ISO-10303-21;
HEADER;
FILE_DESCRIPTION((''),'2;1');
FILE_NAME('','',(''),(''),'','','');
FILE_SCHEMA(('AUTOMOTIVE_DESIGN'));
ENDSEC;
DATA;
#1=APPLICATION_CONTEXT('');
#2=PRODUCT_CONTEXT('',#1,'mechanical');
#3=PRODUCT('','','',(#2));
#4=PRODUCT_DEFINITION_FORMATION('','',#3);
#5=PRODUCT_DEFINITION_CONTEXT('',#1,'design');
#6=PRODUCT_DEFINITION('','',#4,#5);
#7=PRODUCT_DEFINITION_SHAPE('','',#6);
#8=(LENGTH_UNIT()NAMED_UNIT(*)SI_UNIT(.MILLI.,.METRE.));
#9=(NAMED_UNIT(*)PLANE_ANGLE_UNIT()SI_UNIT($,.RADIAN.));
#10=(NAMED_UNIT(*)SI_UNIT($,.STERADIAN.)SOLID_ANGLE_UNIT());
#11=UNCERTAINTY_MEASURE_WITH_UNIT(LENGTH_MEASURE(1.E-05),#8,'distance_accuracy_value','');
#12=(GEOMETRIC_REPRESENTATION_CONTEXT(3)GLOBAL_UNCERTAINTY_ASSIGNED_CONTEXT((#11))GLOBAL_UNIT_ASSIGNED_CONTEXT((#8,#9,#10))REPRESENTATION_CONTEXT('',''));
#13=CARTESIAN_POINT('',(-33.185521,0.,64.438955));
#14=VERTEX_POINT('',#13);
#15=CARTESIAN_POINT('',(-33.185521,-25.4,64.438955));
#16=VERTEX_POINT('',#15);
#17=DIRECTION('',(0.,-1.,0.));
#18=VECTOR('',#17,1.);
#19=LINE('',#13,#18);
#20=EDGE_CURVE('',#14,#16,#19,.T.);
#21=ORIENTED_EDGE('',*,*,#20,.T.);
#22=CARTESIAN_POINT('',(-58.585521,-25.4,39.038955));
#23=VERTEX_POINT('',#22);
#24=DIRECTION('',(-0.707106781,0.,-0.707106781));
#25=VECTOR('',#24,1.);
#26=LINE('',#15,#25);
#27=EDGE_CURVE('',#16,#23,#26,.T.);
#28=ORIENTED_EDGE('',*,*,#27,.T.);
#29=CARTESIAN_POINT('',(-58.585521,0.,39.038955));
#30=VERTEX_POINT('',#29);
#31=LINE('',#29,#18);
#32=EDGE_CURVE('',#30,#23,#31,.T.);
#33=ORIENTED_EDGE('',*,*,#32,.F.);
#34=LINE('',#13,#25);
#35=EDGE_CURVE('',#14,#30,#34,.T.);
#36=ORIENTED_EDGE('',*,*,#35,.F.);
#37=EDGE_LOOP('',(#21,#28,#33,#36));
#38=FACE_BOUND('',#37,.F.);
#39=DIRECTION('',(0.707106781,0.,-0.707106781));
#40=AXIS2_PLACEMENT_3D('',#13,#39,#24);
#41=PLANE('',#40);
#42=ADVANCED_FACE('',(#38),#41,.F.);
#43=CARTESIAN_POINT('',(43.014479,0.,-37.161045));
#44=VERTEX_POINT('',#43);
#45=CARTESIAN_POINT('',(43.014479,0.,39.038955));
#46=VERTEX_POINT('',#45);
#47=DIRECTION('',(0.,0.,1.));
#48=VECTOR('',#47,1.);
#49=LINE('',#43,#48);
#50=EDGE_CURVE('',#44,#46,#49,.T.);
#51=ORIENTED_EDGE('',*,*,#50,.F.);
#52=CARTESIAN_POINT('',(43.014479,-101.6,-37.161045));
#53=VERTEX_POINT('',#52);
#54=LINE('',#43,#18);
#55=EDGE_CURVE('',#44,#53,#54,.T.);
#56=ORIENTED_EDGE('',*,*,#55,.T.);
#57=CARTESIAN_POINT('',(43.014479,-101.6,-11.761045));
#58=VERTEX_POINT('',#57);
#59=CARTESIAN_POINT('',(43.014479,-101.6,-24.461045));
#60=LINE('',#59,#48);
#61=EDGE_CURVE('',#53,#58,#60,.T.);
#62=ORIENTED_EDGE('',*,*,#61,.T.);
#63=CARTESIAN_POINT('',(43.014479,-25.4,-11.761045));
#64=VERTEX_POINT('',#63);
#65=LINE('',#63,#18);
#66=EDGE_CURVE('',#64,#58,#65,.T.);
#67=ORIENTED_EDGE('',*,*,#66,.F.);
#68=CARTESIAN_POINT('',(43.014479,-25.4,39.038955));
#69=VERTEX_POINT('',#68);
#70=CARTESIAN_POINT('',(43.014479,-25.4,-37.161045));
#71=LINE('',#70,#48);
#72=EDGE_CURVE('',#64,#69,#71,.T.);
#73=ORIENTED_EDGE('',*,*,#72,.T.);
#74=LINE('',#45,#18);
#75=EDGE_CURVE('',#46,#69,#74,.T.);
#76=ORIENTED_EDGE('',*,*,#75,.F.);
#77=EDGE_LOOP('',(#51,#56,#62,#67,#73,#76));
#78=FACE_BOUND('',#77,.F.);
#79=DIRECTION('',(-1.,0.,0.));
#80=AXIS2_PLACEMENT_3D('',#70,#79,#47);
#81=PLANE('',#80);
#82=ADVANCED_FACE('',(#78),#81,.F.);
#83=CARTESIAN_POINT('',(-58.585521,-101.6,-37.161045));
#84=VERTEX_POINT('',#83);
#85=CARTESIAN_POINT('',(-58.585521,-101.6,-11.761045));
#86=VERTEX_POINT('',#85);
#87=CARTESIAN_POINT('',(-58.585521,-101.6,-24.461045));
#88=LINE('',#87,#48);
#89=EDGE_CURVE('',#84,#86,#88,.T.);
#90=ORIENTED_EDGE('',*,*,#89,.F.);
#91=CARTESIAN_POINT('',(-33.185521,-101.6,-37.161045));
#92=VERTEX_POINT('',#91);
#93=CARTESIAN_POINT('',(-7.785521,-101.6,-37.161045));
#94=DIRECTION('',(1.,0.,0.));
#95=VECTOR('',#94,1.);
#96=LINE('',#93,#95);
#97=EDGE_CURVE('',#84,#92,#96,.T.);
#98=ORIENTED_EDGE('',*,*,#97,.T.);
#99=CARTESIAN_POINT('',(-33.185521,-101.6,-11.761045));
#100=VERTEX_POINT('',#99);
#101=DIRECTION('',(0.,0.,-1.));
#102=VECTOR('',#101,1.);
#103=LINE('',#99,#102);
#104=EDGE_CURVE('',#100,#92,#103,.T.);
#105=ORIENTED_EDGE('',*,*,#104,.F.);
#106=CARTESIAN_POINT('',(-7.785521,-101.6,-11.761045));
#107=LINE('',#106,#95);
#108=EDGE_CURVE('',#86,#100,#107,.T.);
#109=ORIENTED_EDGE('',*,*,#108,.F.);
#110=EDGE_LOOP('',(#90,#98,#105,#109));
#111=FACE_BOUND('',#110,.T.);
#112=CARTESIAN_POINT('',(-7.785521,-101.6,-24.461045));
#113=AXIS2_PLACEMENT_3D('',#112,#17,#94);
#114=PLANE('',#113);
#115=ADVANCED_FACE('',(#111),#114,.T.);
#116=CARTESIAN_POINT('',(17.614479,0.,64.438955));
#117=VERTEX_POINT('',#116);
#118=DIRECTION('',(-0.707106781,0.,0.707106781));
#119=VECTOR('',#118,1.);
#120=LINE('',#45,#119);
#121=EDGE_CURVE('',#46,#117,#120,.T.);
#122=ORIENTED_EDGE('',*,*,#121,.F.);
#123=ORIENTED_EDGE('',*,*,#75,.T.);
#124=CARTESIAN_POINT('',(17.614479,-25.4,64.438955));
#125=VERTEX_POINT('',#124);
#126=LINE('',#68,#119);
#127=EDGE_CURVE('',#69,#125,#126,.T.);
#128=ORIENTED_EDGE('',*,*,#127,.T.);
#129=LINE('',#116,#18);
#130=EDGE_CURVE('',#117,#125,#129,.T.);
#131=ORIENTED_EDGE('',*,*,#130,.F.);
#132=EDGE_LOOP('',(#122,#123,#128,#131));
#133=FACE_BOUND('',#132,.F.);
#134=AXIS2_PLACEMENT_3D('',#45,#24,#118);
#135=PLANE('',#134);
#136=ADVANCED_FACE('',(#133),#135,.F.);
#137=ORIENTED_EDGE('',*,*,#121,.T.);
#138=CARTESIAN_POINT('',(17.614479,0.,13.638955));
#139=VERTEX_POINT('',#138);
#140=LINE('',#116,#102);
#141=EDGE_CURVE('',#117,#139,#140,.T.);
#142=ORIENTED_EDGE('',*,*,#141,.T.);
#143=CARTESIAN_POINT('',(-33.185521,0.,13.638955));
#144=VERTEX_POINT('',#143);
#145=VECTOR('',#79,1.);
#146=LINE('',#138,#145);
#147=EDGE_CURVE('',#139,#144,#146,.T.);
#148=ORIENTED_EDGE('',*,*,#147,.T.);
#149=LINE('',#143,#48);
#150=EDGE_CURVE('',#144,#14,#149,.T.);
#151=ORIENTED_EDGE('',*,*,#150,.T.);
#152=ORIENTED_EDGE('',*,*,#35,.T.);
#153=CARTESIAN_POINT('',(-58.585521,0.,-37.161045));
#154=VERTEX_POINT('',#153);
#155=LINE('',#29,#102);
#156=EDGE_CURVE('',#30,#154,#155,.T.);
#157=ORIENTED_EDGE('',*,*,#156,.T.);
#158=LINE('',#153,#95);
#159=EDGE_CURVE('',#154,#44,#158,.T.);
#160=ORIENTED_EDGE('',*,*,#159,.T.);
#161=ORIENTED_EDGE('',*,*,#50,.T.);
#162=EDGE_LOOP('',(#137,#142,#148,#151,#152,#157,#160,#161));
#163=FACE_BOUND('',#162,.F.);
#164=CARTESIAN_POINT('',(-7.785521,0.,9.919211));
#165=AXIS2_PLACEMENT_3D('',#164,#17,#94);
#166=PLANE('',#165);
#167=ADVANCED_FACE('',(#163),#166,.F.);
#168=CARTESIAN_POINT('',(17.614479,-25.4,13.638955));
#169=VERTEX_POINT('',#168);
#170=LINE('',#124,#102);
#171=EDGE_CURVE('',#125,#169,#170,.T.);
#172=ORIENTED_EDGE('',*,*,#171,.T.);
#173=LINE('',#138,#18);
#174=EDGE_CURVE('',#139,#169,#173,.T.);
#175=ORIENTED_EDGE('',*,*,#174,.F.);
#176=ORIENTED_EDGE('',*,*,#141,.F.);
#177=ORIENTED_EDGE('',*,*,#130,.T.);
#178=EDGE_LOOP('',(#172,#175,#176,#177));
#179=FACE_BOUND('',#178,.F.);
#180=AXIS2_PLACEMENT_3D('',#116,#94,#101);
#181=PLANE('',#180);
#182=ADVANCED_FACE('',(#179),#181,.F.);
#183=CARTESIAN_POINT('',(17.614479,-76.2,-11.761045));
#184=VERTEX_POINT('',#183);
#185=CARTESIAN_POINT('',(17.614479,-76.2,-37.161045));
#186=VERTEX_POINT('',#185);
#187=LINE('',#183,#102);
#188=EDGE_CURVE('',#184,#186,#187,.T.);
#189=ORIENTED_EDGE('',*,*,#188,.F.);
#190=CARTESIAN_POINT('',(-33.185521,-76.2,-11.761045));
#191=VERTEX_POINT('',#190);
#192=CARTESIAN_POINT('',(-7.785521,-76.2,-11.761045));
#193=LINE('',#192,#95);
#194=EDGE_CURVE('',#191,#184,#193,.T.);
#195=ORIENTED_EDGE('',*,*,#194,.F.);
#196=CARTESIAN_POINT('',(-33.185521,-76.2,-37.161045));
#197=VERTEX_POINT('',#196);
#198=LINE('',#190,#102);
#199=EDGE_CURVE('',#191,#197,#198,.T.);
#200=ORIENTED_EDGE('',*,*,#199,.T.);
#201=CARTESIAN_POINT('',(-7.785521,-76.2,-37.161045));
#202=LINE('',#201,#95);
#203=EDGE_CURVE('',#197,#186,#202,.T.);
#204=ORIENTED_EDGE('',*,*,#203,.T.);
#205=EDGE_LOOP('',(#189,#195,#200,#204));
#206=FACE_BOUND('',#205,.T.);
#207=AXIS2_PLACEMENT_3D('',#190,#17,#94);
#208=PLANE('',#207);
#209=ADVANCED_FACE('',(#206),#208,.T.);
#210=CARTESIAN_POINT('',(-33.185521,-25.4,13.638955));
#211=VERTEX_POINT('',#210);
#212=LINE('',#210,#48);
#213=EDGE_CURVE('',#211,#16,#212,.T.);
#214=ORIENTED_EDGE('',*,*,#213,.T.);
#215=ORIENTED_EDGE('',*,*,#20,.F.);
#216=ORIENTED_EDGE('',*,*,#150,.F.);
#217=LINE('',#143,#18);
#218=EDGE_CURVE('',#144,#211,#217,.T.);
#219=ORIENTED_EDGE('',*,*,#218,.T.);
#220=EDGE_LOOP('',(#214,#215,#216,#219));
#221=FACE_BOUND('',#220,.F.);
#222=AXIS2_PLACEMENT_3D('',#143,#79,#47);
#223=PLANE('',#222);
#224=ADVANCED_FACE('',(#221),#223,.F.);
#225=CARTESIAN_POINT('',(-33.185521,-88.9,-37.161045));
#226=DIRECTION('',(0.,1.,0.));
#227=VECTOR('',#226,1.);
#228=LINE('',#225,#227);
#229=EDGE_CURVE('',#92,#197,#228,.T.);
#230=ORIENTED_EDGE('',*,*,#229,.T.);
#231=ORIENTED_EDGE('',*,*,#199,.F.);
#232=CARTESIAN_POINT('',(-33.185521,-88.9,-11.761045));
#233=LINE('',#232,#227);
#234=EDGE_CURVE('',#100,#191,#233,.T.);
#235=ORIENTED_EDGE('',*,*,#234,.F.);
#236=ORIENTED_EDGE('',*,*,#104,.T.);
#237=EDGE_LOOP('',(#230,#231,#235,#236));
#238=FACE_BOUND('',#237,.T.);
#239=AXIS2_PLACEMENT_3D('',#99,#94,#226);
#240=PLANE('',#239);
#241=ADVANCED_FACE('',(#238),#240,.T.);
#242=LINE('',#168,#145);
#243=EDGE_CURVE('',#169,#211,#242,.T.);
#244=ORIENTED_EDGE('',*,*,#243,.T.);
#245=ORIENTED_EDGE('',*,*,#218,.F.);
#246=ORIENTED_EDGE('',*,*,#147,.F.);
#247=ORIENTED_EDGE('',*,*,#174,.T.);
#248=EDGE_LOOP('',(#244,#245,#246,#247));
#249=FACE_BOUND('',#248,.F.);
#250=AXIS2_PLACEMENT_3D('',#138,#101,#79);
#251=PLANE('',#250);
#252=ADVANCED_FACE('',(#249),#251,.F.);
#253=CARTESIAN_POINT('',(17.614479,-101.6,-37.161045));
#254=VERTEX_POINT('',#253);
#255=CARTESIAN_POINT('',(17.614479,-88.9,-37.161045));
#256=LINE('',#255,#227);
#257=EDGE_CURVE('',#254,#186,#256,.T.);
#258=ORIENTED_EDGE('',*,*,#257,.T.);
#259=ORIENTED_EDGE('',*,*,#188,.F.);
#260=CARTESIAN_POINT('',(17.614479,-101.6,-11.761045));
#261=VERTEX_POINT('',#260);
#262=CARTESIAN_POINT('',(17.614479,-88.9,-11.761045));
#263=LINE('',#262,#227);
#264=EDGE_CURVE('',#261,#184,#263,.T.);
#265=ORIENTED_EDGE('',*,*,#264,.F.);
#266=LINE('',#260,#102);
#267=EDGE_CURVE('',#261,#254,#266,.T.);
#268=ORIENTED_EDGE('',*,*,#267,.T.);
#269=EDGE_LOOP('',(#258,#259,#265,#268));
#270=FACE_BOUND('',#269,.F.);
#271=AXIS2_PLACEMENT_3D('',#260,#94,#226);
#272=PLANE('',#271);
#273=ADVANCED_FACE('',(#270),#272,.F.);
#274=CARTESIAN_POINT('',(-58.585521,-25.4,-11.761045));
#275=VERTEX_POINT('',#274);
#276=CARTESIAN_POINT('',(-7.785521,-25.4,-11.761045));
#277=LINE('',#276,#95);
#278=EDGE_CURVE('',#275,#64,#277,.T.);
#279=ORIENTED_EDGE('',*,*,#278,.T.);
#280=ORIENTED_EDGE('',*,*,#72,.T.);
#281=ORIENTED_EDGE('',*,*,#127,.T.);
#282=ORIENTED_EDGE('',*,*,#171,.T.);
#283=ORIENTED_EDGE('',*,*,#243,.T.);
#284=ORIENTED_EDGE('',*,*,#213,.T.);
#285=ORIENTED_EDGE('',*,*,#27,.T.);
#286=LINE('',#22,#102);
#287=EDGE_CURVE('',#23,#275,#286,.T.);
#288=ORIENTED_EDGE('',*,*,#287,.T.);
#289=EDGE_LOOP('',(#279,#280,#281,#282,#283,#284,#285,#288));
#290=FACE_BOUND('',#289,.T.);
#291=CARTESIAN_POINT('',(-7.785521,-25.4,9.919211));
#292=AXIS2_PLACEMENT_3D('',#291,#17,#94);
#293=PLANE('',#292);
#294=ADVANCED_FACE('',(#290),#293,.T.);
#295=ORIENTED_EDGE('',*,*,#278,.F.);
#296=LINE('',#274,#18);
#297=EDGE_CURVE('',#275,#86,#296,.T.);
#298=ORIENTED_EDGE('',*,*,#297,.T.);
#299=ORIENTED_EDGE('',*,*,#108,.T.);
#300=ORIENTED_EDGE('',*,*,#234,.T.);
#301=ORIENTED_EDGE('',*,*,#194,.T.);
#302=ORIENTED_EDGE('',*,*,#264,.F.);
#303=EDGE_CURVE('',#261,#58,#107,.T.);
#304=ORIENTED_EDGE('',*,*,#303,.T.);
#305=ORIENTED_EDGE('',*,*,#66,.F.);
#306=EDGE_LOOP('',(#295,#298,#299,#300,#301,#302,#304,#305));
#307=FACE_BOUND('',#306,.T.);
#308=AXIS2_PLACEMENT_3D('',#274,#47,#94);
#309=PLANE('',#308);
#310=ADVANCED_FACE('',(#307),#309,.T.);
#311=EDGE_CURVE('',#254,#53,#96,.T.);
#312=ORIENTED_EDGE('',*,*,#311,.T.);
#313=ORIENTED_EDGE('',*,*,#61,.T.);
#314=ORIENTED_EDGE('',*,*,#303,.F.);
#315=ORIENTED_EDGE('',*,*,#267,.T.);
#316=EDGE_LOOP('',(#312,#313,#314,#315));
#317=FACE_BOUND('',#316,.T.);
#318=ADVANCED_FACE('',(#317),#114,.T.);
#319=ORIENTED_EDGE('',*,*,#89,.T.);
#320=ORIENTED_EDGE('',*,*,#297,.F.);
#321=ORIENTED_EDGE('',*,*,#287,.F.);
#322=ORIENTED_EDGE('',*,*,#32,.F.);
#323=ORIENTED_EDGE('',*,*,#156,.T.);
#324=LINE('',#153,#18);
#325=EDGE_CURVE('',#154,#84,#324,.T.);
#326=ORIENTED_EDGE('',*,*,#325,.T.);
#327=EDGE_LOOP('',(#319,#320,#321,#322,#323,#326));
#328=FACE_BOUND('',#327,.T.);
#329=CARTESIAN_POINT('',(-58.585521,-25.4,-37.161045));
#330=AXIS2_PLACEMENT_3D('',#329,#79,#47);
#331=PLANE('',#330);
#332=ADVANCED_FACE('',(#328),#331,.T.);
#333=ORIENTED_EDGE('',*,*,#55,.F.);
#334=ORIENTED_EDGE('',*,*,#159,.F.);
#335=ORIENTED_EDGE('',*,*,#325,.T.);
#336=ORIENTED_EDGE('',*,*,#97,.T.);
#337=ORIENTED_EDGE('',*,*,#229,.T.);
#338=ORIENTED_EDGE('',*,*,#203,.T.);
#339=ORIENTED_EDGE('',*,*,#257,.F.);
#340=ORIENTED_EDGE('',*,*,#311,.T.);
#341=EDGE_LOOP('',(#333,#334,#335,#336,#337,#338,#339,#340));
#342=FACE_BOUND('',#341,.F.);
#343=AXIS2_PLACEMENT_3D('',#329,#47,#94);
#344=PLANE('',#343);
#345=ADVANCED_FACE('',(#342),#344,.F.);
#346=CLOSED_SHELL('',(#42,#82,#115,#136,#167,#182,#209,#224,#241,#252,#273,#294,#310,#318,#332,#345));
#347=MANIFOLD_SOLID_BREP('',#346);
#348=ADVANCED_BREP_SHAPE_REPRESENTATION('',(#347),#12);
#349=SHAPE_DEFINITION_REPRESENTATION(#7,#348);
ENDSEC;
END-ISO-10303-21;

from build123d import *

# Parameters (mm, degrees)
F1_DEPTH = 25.4
F2_W     = 101.6
F2_H     = 25.4
F3_DEPTH = 76.2
F4_W     = 50.8
F4_H     = 25.4
F5_DEPTH = 25.4


with BuildPart() as f1:
    # F0 (on Front) → F1 (new body)
    with BuildSketch(Plane.XZ):
        Polygon((-33.185521, 64.438955), (-58.585521, 39.038955), (-58.585521, -37.161045), (43.014479, -37.161045), (43.014479, 39.038955), (17.614479, 64.438955), (17.614479, 13.638955), (-33.185521, 13.638955), align=None)
    extrude(amount=F1_DEPTH)

    # F2 (on face) → F3 (join)
    with BuildSketch(Plane.XZ.offset(25.4)):
        with Locations((-7.785521, -24.461045)):
            Rectangle(F2_W, F2_H)
    extrude(amount=F3_DEPTH)

    # F4 (on face) → F5 (cut)
    with BuildSketch(Plane.XY.offset(-11.761045)):
        with Locations((-7.785521, -88.9)):
            Rectangle(F4_W, F4_H)
    extrude(amount=-F5_DEPTH, mode=Mode.SUBTRACT)


solid = f1.part
